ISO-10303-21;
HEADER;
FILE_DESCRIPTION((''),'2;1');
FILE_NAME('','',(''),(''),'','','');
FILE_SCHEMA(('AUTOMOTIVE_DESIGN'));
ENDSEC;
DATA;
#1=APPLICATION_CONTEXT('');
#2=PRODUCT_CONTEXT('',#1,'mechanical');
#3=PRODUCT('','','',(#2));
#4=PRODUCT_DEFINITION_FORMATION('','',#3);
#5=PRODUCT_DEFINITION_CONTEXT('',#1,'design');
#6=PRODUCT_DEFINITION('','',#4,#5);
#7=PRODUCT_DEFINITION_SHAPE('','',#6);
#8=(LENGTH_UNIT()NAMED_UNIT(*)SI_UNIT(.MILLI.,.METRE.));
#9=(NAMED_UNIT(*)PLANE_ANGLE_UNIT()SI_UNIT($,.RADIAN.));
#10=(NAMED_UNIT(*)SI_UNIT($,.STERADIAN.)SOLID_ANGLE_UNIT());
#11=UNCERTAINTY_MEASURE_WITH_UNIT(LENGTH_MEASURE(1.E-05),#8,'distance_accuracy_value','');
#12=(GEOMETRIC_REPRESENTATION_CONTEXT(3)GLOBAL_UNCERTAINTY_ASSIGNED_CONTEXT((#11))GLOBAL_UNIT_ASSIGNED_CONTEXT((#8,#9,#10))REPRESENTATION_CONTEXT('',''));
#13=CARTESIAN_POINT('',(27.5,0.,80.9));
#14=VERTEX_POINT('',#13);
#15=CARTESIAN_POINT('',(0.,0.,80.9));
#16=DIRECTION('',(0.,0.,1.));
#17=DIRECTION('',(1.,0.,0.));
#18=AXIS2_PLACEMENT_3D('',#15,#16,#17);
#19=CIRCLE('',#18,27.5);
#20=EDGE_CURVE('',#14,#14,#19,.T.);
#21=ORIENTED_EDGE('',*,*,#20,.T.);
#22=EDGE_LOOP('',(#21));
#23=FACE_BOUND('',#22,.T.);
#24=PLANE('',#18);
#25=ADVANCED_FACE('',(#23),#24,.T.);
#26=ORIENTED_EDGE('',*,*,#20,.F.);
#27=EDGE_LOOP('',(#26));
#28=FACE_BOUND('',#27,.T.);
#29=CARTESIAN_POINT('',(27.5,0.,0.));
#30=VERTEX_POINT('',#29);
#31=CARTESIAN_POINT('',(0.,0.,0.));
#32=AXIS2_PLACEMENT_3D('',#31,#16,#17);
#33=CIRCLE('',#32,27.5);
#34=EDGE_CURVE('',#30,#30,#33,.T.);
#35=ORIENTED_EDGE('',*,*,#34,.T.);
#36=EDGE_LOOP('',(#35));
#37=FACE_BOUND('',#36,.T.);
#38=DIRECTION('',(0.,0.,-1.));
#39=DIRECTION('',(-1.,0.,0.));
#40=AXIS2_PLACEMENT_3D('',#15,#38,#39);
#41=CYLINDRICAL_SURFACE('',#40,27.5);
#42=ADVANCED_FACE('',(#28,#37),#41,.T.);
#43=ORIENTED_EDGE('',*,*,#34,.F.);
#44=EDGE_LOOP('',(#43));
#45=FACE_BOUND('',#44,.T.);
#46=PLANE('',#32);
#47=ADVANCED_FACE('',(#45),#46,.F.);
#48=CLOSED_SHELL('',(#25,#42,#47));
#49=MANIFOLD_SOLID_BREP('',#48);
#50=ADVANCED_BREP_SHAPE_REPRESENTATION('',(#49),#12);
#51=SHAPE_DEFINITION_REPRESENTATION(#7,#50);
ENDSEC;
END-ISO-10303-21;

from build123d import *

# Parameters (mm, degrees)
IZIM1_R                     = 27.5
Y_KSEKLIK_EKSTR_ZYON1_DEPTH = 80.9


with BuildPart() as part:
    # Çizim1 → Yükseklik-Ekstrüzyon1 (new body)
    with BuildSketch(Plane.XY):
        Circle(IZIM1_R)
    extrude(amount=Y_KSEKLIK_EKSTR_ZYON1_DEPTH)


solid = part.part
